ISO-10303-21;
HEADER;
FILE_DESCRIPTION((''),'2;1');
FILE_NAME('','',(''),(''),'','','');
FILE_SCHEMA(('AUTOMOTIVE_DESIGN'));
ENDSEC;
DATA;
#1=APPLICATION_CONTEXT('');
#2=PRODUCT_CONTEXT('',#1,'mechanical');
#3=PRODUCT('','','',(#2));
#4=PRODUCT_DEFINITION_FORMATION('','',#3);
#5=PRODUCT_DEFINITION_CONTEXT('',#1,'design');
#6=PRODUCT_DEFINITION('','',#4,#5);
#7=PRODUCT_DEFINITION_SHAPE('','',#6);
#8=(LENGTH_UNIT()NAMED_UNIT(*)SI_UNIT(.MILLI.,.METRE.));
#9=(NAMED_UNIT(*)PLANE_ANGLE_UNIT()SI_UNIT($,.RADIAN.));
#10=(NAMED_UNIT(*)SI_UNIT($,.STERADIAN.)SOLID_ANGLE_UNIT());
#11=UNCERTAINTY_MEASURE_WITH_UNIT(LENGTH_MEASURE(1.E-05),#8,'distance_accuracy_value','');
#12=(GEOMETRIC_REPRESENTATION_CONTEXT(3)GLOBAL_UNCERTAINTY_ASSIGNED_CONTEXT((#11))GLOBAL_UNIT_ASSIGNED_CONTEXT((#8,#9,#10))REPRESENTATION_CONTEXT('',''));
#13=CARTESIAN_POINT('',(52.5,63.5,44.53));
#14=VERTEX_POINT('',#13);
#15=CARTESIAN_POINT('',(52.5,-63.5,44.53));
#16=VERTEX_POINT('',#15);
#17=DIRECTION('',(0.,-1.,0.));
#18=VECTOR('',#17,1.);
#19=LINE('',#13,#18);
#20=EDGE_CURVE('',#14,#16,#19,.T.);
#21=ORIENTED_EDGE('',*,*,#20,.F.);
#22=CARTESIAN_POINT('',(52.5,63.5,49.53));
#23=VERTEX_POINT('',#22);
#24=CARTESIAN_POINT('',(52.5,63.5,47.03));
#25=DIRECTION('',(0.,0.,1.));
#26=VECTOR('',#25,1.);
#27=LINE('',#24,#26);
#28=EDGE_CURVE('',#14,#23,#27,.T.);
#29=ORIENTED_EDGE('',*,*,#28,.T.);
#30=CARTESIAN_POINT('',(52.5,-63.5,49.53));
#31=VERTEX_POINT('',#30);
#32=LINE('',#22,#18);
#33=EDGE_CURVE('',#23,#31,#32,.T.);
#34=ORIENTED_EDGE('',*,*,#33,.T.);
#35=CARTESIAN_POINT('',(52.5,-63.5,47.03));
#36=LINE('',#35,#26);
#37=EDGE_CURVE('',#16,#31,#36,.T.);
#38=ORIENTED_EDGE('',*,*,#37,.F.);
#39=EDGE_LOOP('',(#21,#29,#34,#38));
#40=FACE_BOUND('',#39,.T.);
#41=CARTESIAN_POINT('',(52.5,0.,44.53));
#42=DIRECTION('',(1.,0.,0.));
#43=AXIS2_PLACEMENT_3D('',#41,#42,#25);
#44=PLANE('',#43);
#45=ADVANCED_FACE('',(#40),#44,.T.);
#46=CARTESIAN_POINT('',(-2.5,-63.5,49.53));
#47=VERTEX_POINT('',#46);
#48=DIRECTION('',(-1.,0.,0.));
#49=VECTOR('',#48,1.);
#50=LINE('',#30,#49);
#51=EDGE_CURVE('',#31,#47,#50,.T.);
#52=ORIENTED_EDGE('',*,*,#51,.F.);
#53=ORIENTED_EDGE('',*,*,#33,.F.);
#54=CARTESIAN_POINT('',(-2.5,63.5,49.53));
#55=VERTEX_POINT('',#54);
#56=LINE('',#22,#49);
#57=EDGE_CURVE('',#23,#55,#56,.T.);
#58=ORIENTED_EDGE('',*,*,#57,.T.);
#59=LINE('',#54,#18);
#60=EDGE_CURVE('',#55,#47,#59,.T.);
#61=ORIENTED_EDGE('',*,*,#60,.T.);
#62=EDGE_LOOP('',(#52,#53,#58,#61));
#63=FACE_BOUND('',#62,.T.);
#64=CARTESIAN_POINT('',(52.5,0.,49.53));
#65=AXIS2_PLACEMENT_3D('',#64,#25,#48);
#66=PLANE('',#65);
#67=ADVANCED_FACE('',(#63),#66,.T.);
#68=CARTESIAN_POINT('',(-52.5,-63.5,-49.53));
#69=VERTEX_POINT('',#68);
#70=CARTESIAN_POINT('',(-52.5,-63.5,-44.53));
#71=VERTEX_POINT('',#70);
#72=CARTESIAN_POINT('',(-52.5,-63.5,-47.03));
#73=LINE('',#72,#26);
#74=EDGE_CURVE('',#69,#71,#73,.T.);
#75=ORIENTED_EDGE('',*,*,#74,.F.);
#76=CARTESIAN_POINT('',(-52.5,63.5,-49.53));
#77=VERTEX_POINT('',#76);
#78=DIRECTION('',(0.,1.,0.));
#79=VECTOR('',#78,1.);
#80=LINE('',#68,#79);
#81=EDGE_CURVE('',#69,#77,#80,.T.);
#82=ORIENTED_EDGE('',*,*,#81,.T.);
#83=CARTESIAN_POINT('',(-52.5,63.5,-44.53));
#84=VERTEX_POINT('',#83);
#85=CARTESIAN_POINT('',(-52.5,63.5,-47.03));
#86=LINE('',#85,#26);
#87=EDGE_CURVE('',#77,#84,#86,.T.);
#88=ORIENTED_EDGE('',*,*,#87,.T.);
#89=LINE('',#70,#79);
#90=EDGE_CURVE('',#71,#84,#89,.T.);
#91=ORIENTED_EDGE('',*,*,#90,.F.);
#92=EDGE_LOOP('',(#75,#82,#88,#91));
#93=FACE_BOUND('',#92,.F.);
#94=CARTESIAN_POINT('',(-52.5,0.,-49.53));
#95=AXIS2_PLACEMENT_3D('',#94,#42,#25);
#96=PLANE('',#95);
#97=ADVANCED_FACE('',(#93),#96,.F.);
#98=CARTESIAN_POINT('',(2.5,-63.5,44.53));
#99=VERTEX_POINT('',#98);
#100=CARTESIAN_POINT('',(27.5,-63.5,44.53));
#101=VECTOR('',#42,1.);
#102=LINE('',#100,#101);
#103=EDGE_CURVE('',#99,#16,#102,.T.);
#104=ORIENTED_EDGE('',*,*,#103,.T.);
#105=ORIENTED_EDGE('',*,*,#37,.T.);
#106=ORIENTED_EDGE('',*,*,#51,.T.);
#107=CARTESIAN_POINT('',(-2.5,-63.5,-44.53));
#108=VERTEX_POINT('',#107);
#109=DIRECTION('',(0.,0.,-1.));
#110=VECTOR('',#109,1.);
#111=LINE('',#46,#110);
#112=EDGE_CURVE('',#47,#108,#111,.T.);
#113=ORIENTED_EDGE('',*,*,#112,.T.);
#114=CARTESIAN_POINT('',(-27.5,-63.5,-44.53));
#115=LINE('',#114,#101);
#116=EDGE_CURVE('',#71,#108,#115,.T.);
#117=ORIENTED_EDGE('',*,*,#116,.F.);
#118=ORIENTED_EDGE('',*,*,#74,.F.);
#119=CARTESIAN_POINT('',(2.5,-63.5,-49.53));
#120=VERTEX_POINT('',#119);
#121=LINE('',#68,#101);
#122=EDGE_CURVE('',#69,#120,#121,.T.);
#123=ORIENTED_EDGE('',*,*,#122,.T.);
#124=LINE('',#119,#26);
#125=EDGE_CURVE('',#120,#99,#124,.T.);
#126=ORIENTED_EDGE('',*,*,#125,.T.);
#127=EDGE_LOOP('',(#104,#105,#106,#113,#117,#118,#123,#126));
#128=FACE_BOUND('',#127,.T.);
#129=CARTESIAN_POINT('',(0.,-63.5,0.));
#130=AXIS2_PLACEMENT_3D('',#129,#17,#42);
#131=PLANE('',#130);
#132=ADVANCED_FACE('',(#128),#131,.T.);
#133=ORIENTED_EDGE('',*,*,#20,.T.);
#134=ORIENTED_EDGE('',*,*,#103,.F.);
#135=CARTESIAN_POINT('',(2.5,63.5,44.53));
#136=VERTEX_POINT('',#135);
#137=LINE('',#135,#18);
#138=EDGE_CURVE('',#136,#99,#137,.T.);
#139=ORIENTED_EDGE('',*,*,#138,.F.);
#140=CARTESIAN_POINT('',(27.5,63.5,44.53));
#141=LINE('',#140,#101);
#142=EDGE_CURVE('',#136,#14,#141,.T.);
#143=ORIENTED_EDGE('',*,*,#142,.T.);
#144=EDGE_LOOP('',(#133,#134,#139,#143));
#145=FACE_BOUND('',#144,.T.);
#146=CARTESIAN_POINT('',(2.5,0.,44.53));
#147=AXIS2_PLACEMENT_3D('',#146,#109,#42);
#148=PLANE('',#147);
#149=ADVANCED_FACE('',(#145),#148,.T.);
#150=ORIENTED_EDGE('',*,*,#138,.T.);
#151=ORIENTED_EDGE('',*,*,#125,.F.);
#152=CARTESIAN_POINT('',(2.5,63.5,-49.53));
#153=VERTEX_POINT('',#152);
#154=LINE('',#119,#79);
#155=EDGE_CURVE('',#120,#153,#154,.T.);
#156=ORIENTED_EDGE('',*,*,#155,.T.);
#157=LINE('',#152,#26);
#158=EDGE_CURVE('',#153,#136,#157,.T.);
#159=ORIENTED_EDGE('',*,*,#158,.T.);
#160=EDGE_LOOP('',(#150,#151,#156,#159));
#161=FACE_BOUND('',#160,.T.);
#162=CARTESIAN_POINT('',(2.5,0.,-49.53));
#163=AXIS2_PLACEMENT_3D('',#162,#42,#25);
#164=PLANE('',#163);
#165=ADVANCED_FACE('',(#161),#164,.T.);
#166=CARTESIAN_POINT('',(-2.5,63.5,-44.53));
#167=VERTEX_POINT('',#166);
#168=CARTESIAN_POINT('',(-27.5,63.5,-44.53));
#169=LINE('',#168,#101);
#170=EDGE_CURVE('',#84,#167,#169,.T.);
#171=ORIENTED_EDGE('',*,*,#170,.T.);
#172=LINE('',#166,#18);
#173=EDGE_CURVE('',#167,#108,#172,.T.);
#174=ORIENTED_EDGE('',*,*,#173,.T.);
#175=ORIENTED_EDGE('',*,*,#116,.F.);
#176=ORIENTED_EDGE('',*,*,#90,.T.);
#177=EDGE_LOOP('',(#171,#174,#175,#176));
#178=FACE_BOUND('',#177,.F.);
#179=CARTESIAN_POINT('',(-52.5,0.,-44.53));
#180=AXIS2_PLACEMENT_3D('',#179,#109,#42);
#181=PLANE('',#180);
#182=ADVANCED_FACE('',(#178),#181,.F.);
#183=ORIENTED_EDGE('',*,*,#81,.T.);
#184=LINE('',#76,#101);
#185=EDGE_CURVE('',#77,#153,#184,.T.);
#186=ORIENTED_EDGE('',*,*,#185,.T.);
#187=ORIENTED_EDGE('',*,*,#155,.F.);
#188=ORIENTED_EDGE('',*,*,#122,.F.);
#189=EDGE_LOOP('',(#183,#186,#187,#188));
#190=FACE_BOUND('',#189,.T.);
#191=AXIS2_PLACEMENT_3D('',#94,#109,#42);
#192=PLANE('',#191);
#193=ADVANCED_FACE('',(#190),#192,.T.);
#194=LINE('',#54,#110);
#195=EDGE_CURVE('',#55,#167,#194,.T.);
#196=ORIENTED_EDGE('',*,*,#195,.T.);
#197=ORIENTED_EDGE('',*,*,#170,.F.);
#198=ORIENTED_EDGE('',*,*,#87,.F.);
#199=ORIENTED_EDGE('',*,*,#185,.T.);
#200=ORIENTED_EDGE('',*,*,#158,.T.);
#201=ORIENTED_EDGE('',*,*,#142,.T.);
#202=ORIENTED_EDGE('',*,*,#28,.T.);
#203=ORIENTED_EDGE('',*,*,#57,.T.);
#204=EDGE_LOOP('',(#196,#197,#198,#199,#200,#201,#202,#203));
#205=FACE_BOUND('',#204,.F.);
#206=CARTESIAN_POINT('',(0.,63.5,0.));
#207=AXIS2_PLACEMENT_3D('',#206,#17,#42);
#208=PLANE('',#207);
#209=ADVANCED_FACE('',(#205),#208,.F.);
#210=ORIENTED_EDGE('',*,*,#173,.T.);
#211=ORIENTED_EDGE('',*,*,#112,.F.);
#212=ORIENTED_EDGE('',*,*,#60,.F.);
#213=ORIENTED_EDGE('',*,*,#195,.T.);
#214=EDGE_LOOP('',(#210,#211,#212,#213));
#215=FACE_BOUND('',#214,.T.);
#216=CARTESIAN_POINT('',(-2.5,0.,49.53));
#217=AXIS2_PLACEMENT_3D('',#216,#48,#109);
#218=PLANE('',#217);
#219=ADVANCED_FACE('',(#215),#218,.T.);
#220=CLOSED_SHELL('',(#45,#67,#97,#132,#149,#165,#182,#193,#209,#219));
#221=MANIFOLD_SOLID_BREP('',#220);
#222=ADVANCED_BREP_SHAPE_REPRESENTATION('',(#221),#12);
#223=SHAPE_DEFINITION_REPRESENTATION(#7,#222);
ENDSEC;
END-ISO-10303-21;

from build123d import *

# Parameters (mm, degrees)
F0_W     = 50
F0_H     = 5
F1_DEPTH = 63.5


with BuildPart() as f1:
    # F0 (on Front) → F1 (new body, symmetric)
    with BuildSketch(Plane.XZ):
        Polygon((-2.5, -49.53), (2.5, -49.53), (2.5, 44.53), (2.5, 49.53), (-2.5, 49.53), (-2.5, -44.53), align=None)
        with Locations((27.5, 47.03)):
            Rectangle(F0_W, F0_H)
        with Locations((-27.5, -47.03)):
            Rectangle(F0_W, F0_H)
    extrude(amount=F1_DEPTH, both=True)


solid = f1.part
